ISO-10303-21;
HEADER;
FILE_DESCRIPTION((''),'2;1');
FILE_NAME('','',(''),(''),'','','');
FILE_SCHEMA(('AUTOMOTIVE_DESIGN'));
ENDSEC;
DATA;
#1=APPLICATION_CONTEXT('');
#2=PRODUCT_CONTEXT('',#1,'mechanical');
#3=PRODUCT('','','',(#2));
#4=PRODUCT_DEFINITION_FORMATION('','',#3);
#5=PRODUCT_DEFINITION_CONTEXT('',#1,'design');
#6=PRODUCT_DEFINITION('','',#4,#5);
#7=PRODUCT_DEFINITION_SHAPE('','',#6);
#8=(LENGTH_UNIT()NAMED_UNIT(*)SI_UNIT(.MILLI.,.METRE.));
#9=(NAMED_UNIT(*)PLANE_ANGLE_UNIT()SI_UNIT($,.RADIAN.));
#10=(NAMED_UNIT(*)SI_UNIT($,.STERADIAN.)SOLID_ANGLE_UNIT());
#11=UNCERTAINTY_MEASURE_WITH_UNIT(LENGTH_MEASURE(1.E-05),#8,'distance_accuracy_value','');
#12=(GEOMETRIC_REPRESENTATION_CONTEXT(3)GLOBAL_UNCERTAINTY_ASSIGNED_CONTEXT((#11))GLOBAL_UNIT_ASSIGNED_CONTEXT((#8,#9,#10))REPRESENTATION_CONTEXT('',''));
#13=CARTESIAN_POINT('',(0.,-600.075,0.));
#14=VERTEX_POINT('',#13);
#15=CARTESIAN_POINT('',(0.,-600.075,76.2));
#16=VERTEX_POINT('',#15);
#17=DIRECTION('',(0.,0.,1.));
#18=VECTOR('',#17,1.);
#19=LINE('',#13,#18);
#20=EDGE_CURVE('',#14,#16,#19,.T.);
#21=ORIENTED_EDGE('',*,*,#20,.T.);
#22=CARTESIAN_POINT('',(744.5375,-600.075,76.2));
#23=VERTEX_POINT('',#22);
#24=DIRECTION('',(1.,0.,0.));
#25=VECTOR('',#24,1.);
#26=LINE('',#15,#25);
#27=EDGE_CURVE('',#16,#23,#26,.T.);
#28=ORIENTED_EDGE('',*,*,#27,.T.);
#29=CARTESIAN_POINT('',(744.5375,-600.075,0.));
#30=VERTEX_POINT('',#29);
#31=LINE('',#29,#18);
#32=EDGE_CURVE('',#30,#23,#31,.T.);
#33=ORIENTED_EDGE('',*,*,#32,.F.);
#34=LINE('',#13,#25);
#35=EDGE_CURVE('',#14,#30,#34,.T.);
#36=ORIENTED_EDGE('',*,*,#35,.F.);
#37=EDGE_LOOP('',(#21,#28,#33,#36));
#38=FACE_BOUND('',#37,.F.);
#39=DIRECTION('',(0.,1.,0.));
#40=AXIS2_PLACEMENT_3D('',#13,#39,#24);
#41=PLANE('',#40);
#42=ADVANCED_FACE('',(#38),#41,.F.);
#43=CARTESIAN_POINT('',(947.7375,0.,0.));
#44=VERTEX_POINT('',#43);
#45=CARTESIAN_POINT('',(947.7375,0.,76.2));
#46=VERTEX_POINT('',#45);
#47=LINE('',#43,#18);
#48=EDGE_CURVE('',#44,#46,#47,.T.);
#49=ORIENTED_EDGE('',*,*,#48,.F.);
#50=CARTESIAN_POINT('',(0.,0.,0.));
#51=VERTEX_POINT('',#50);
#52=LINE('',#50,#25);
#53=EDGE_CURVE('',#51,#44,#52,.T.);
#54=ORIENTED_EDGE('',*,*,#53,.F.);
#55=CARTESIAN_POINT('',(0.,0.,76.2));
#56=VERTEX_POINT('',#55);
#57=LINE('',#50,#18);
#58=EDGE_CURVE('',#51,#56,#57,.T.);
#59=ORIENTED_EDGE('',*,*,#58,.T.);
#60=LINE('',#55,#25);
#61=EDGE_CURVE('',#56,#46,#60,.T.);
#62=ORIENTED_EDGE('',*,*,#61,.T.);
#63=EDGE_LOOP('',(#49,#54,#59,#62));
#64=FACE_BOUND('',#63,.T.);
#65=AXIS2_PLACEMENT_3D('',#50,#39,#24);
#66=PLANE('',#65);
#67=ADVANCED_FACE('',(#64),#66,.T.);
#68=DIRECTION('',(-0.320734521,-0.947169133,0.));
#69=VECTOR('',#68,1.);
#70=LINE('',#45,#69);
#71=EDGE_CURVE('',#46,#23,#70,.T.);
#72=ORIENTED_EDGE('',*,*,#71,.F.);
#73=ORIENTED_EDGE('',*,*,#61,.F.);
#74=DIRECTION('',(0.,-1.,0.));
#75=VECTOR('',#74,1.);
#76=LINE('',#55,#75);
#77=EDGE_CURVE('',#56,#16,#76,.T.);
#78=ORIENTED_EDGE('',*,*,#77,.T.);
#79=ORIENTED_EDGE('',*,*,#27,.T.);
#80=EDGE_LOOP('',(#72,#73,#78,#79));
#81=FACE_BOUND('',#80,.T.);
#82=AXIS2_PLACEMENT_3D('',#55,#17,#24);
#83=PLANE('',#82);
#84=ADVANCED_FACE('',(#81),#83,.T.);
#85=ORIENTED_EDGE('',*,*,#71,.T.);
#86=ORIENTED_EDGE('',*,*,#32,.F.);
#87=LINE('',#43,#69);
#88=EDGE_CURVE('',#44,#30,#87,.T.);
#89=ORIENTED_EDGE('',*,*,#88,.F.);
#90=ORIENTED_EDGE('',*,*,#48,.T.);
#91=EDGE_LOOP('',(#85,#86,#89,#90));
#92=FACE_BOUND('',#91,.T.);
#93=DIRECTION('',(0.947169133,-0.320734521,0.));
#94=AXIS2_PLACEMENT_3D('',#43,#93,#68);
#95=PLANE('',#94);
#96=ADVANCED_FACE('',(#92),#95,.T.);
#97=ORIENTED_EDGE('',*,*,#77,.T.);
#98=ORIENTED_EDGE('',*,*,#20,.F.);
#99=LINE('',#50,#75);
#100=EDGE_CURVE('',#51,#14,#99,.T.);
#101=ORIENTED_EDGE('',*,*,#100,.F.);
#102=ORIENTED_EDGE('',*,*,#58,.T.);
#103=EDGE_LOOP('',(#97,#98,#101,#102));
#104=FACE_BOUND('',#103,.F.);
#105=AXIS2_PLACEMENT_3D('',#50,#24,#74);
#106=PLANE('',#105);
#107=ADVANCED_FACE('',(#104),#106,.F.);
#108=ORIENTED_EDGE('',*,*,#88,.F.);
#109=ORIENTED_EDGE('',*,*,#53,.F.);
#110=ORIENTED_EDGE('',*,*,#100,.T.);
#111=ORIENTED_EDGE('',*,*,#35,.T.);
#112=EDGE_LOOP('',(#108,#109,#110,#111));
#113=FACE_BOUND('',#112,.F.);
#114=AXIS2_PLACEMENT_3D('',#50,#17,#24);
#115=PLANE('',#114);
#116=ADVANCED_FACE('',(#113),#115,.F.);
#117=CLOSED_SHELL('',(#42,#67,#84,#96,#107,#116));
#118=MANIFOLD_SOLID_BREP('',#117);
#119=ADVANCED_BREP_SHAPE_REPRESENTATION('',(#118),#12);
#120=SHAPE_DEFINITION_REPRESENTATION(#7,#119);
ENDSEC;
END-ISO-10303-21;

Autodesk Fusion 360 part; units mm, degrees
sketch "Sketch1" plane through (0, 0, 0) normal (0, 0, 1) x (1, 0, 0)
  line L0 (0, 0) -> (0, -600.075)
  line L1 (0, -600.075) -> (744.5375, -600.075)
  line L2 (0, 0) -> (947.7375, 0)
  line L3 (947.7375, 0) -> (744.5375, -600.075)
  line L4 (1049.3375, -600.075) -> (2105.025, -600.075)
  line L5 (1049.3375, -600.075) -> (1252.5375, 0)
  line L6 (2105.025, -600.075) -> (1698.625, 0)
  line L7 (1252.5375, 0) -> (1698.625, 0)
  line L8 (2003.425, 0) -> (3025.775, 0)
  line L9 (2409.825, -600.075) -> (3025.775, -600.075)
  line L10 (3025.775, 0) -> (3025.775, -600.075)
  line L11 (2409.825, -600.075) -> (2003.425, 0)
  line L12 (0, -904.875) -> (0, -1504.95)
  line L13 (0, -1504.95) -> (376.2375, -1504.95)
  line L14 (376.2375, -1504.95) -> (528.6375, -904.875)
  line L15 (0, -904.875) -> (528.6375, -904.875)
  line L16 (579.4375, -1504.95) -> (1636.7125, -1504.95)
  line L17 (731.8375, -904.875) -> (1420.8125, -904.875)
  line L18 (579.4375, -1504.95) -> (731.8375, -904.875)
  line L19 (1420.8125, -904.875) -> (1636.7125, -1504.95)
  line L20 (1839.9125, -1504.95) -> (2160.5875, -1504.95)
  line L21 (1624.0125, -904.875) -> (2401.8875, -904.875)
  line L22 (1624.0125, -904.875) -> (1839.9125, -1504.95)
  line L23 (2160.5875, -1504.95) -> (2401.8875, -904.875)
  line L24 (2363.7875, -1504.95) -> (3019.425, -1504.95)
  line L25 (2605.0875, -904.875) -> (3019.425, -904.875)
  line L26 (3019.425, -904.875) -> (3019.425, -1504.95)
  line L27 (2605.0875, -904.875) -> (2363.7875, -1504.95)
  line L28 (0, -1809.75) -> (0, -2409.825)
  line L29 (0, -1809.75) -> (909.6375, -1809.75)
  line L30 (0, -2409.825) -> (795.3375, -2409.825)
  line L31 (795.3375, -2409.825) -> (909.6375, -1809.75)
  line L32 (1214.4375, -1809.75) -> (2017.7125, -1809.75)
  line L33 (1100.1375, -2409.825) -> (1878.0125, -2409.825)
  line L34 (1100.1375, -2409.825) -> (1214.4375, -1809.75)
  line L35 (1878.0125, -2409.825) -> (2017.7125, -1809.75)
  line L36 (2182.8125, -2409.825) -> (3028.95, -2409.825)
  line L37 (2322.5125, -1809.75) -> (3028.95, -1809.75)
  line L38 (2322.5125, -1809.75) -> (2182.8125, -2409.825)
  line L39 (3028.95, -1809.75) -> (3028.95, -2409.825)
  line L40 (0, -2714.625) -> (0, -3314.7)
  line L41 (0, -2714.625) -> (465.1375, -2714.625)
  line L42 (465.1375, -2714.625) -> (465.1375, -3314.7)
  line L43 (465.1375, -3314.7) -> (0, -3314.7)
  line L44 (668.3375, -3314.7) -> (1268.4125, -3314.7)
  line L45 (668.3375, -3314.7) -> (668.3375, -2714.625)
  line L46 (668.3375, -2714.625) -> (1458.9125, -2714.625)
  line L47 (1458.9125, -2714.625) -> (1268.4125, -3314.7)
  line L48 (1471.6125, -3314.7) -> (2236.7875, -3314.7)
  line L49 (1662.1125, -2714.625) -> (2528.8875, -2714.625)
  line L50 (1471.6125, -3314.7) -> (1662.1125, -2714.625)
  line L51 (2528.8875, -2714.625) -> (2236.7875, -3314.7)
  line L52 (2439.9875, -3314.7) -> (3019.425, -3314.7)
  line L53 (2732.0875, -2714.625) -> (3019.425, -2714.625)
  line L54 (2439.9875, -3314.7) -> (2732.0875, -2714.625)
  line L55 (3019.425, -2714.625) -> (3019.425, -3314.7)
  dimension "d1" = 600.075
  dimension "d2" = 744.5375
  dimension "d3" = 1055.6875
  dimension "d4" = 304.8
  dimension "d5" = 1022.35
  dimension "d6" = 615.95
  dimension "d7" = 0
  dimension "d8" = 304.8
  dimension "d9" = 376.2375
  dimension "d10" = 1057.275
  dimension "d11" = 203.2
  dimension "d12" = 688.975
  dimension "d13" = 320.675
  dimension "d14" = 777.875
  dimension "d15" = 203.2
  dimension "d16" = 655.6375
  dimension "d17" = 414.3375
  dimension "d18" = 203.2
  dimension "d19" = 0
  dimension "d20" = 0
  dimension "d21" = 909.6375
  dimension "d22" = 795.3375
  dimension "d23" = 803.275
  dimension "d24" = 777.875
  dimension "d25" = 304.8
  dimension "d26" = 846.1375
  dimension "d27" = 304.8
  dimension "d28" = 706.4375
  dimension "d29" = 304.8
  dimension "d30" = 947.7375
  dimension "d31" = 446.0875
  dimension "d32" = 528.6375
  dimension "d33" = 0
  dimension "d34" = 0
  dimension "d35" = 465.1375
  dimension "d36" = 600.075
  dimension "d37" = 203.2
  dimension "d38" = 790.575
  dimension "d39" = 765.175
  dimension "d40" = 203.2
  dimension "d41" = 866.775
  dimension "d42" = 579.4375
  dimension "d43" = 287.3375
  dimension "d44" = 203.2
extrude "Extrude1" add sketch "Sketch1" along normal blind 76.2 contours L0 L1 L2 L3
equation "d1 = 23 5/8\""
equation "d2 = 29 5/16\""
equation "d3 = 41 9/16\""
equation "d5 = 40 1/4\""
equation "d6 = 24 1/4\""
equation "d7 = d20"
equation "d9 = 14 13/16\""
equation "d12 = 27 1/8\""
equation "d13 = 12 5/8\""
equation "d14 = 30 5/8\""
equation "d16 = 25 13/16\""
equation "d17 = 16 5/16\""
equation "d19 = d20"
equation "d20 = d33"
equation "d21 = 35 13/16\""
equation "d22 = 31 5/16\""
equation "d23 = 31 5/8\""
equation "d24 = 30 5/8\""
equation "d26 = 33 5/16\""
equation "d28 = 27 13/16\""
equation "d30 = 37 5/16\""
equation "d31 = 17 9/16\""
equation "d32 = 20 13/16\""
equation "d33 = d33"
equation "d34 = d20"
equation "d35 = 18 5/16\""
equation "d36 = 23 5/8\""
equation "d38 = 31 1/8\""
equation "d41 = 34 1/8\""
